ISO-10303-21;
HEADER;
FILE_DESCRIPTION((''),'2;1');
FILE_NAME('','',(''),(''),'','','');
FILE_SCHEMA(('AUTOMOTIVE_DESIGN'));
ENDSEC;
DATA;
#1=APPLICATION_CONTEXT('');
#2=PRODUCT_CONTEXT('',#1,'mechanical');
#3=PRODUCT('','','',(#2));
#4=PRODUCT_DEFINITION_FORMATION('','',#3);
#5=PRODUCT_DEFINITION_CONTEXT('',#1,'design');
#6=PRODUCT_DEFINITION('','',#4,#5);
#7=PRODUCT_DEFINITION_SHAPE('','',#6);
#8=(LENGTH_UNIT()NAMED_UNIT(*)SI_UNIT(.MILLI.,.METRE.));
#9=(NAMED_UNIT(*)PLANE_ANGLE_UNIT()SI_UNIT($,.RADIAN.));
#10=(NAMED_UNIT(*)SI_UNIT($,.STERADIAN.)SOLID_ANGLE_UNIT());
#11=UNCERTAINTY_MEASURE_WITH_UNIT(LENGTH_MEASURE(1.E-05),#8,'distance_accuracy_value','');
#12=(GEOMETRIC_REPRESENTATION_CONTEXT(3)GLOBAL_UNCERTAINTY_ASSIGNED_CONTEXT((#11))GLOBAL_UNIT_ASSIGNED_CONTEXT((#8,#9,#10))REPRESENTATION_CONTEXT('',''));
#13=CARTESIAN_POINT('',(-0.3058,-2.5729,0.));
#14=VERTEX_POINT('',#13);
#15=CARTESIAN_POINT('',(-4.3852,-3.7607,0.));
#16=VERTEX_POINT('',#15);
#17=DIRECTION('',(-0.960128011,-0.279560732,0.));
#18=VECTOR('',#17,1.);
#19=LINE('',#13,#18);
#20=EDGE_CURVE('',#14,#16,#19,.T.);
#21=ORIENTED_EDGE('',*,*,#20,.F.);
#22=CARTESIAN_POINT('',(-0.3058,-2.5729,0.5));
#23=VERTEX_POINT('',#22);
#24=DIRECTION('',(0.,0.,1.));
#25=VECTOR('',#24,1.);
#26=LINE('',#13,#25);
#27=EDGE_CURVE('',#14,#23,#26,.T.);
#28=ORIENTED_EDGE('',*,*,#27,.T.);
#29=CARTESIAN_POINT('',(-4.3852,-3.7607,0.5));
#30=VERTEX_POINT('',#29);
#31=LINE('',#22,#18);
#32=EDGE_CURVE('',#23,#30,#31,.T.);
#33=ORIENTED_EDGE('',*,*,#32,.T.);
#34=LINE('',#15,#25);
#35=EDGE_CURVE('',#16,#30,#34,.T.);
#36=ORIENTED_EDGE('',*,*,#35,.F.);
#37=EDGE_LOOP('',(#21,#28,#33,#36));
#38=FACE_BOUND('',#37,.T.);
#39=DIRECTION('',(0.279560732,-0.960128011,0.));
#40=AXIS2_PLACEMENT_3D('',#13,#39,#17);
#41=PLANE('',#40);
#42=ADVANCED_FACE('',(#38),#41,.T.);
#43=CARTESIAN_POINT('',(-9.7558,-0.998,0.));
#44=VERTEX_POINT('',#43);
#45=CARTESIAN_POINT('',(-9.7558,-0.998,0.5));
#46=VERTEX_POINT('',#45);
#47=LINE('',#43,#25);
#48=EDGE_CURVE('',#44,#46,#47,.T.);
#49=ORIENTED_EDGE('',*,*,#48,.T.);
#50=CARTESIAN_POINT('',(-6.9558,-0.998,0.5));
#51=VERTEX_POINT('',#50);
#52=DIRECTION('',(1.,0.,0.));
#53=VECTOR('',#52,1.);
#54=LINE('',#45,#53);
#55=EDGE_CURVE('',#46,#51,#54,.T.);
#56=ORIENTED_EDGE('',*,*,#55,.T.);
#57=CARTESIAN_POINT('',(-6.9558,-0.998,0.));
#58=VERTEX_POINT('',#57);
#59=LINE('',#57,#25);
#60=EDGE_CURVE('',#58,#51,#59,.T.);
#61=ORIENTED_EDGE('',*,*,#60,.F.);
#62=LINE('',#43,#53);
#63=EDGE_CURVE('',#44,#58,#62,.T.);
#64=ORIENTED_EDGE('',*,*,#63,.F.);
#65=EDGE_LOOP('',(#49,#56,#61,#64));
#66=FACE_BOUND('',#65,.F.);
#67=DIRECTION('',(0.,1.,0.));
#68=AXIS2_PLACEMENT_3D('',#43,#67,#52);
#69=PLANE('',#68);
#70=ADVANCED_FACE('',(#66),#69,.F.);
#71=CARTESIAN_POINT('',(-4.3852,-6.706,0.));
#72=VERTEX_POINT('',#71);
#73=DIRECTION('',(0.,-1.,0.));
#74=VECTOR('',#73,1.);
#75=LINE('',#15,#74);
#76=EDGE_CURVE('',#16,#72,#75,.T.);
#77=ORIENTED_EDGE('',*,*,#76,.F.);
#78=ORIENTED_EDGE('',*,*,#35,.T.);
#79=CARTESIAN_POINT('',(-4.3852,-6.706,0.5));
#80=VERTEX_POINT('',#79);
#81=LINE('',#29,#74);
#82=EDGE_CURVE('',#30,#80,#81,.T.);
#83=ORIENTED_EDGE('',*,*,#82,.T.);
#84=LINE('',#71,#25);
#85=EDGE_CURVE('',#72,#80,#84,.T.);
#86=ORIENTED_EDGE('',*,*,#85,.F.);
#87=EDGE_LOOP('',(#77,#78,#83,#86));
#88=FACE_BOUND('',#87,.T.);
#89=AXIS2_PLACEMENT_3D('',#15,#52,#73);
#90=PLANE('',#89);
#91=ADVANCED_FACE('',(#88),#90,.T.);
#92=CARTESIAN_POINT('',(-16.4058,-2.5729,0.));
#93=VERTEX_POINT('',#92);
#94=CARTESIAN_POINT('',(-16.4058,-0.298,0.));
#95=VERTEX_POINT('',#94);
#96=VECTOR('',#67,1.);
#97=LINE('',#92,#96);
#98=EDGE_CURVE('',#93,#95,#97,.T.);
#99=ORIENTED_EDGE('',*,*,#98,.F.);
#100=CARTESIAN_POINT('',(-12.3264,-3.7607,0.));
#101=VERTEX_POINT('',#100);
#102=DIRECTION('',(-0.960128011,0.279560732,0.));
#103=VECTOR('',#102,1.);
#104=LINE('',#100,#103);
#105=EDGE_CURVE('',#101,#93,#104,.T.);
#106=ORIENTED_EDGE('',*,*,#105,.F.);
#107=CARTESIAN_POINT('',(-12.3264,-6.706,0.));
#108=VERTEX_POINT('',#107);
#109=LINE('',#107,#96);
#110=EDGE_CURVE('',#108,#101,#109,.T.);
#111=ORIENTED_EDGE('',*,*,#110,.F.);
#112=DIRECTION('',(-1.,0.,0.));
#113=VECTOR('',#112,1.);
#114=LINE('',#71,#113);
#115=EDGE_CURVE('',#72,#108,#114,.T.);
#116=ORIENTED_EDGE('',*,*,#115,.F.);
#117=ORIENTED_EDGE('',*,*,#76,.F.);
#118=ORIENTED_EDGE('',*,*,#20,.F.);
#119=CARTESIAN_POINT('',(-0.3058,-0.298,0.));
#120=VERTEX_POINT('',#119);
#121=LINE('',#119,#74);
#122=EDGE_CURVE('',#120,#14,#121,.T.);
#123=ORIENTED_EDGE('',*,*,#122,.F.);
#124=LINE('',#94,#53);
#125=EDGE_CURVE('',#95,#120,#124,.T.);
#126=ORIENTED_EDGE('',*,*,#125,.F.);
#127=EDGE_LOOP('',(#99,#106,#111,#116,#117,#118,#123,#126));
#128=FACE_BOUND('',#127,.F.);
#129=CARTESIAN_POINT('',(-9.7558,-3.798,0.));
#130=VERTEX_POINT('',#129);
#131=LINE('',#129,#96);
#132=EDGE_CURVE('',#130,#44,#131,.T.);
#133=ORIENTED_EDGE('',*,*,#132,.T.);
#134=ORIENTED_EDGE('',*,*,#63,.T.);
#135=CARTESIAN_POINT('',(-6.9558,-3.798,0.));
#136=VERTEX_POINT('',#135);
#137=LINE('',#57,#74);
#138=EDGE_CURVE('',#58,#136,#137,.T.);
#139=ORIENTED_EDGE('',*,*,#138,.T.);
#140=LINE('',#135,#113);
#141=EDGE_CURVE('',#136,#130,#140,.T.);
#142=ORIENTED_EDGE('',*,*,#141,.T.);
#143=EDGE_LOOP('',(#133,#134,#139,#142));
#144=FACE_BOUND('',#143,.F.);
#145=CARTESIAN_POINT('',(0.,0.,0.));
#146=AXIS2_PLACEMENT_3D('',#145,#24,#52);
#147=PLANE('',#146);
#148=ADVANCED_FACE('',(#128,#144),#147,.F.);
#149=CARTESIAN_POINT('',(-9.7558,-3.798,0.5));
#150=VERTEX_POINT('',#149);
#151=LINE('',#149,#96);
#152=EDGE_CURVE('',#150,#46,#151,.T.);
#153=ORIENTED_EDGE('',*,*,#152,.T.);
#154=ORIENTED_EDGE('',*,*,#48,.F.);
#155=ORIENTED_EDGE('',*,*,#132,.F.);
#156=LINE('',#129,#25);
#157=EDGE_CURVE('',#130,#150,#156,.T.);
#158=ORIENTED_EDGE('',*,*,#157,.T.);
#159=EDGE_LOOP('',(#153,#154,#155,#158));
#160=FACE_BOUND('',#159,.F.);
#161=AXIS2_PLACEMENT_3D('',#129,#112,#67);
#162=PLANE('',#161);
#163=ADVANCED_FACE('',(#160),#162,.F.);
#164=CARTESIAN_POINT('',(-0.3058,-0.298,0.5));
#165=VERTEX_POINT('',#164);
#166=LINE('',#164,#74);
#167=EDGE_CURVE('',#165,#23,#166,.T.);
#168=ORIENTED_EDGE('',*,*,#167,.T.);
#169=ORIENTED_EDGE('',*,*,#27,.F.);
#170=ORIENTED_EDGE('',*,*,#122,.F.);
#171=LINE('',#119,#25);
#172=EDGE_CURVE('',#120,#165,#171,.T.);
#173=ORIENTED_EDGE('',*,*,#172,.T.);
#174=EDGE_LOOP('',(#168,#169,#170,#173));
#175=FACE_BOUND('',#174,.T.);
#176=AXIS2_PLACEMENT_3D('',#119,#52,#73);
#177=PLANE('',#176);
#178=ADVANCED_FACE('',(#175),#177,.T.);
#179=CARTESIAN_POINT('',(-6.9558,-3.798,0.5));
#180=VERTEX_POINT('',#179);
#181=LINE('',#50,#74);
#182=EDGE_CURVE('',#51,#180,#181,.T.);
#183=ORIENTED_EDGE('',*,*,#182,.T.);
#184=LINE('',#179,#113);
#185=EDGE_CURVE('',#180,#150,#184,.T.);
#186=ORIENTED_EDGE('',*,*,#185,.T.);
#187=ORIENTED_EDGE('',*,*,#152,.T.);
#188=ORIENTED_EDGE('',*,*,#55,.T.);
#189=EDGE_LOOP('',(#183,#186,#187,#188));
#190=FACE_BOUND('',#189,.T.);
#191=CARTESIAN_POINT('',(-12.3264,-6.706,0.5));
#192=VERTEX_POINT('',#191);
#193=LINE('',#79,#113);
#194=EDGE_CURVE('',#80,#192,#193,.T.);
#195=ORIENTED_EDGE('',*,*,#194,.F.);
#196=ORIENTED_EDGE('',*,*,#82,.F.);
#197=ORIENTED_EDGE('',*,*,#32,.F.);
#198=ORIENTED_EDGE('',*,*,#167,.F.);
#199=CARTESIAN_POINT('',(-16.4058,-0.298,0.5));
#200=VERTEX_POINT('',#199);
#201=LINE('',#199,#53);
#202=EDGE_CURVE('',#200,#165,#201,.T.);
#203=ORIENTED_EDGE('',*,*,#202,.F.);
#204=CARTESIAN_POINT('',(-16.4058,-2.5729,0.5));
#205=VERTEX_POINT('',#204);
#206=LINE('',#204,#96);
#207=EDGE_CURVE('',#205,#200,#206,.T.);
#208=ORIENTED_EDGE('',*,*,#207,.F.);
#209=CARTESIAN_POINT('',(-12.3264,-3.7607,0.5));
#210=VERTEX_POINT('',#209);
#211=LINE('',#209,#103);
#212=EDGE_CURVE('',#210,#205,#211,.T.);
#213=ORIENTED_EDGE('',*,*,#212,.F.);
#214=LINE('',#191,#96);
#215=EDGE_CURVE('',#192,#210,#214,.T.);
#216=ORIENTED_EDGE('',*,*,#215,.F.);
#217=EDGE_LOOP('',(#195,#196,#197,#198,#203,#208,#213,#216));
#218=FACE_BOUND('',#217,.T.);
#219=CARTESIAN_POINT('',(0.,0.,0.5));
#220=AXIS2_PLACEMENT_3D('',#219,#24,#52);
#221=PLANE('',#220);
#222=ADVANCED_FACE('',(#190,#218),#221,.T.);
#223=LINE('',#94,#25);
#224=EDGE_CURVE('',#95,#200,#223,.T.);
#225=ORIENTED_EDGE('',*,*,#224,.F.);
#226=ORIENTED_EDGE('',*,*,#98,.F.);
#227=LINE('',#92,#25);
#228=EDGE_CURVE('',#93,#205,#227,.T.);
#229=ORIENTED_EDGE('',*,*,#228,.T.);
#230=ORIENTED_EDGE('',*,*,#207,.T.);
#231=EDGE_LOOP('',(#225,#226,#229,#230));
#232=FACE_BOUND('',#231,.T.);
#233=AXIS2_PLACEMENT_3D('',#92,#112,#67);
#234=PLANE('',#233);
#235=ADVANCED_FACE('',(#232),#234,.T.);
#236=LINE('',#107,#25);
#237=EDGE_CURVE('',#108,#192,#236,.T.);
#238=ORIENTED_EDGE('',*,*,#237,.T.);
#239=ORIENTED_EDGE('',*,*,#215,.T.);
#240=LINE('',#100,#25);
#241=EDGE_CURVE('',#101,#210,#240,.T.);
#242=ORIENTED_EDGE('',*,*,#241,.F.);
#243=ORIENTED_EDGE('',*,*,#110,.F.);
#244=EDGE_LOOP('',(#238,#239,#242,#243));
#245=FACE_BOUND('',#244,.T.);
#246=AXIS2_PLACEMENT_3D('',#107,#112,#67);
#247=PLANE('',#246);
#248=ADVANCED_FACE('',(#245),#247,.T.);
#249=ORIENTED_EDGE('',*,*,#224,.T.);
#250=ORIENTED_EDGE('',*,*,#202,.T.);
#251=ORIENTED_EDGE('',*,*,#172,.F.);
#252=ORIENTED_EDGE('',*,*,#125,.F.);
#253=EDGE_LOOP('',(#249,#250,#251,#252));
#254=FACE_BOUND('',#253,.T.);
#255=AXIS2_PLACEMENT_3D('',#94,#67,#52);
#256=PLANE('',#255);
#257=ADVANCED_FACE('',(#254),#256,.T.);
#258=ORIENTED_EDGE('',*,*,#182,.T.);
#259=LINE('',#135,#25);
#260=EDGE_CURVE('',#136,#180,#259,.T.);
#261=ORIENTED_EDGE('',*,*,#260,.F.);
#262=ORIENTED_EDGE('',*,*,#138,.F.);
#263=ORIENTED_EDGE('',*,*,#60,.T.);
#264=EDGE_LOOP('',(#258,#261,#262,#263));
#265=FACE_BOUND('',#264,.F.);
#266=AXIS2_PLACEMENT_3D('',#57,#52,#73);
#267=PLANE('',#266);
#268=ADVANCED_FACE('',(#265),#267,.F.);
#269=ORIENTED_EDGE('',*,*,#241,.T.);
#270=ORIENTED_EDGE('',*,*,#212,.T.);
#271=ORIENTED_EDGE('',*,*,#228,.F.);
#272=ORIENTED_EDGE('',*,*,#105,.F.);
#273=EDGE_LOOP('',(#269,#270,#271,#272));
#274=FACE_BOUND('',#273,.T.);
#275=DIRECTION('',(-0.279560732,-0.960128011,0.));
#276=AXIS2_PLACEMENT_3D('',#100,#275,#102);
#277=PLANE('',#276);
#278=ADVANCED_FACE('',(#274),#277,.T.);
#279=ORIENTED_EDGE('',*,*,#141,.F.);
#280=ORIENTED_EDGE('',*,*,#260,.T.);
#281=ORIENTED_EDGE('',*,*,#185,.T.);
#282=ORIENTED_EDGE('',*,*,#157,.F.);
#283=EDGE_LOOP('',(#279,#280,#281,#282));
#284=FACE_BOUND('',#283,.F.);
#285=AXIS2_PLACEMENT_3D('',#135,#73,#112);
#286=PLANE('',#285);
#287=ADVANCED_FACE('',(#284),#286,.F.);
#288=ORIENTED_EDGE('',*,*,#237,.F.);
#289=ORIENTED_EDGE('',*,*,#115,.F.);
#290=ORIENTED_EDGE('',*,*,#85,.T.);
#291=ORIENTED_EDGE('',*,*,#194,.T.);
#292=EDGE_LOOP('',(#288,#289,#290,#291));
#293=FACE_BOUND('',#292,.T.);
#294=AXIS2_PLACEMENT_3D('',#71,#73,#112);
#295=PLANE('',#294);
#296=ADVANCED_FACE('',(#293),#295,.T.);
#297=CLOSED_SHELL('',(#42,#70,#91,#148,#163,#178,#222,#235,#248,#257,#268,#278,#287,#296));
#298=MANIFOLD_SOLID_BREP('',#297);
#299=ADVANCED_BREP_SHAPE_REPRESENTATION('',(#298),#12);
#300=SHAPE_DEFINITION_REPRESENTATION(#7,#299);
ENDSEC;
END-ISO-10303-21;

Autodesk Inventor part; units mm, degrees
ref_plane "YZ Plane" through (0, 0, 0) normal (1, 0, 0) x (0, 1, 0)
ref_plane "XZ Plane" through (0, 0, 0) normal (0, 1, 0) x (-1, 0, 0)
ref_plane "XY Plane" through (0, 0, 0) normal (0, 0, 1) x (1, 0, 0)
ref_plane "Work Plane1" through (0, 0, 0) normal (0, 0, 1) x (1, 0, 0)
sketch "Sketch1" plane through (0, 0, 0) normal (0, 0, 1) x (1, 0, 0)
  line L0 (-16.7058, 0.002) -> (-16.7058, -2.798) projected
  line L1 (-12.6264, -3.9858) -> (-16.7058, -2.798) projected
  line L2 (-12.6264, -3.9858) -> (-12.6264, -7.006) projected
  line L3 (-4.0852, -7.006) -> (-4.0852, -3.9858) projected
  line L4 (-0.0058, -2.798) -> (-4.0852, -3.9858) projected
  line L5 (-0.0058, 0.002) -> (-0.0058, -2.798) projected
  line L6 (-16.7058, 0.002) -> (-0.0058, 0.002) projected
  line L7 (-4.0852, -7.006) -> (-12.6264, -7.006) projected
  line L8 (-16.4058, -0.298) -> (-0.3058, -0.298)
  line L9 (-0.3058, -0.298) -> (-0.3058, -2.5729)
  line L10 (-0.3058, -2.5729) -> (-4.3852, -3.7607)
  line L11 (-4.3852, -3.7607) -> (-4.3852, -6.706)
  line L12 (-4.3852, -6.706) -> (-12.3264, -6.706)
  line L13 (-12.3264, -6.706) -> (-12.3264, -3.7607)
  line L14 (-12.3264, -3.7607) -> (-16.4058, -2.5729)
  line L15 (-16.4058, -2.5729) -> (-16.4058, -0.298)
  line L16 (-2.523, -0.298) -> (-2.523, 0.002) construction
  line L17 (-16.4058, -0.4626) -> (-16.7058, -0.4626) construction
  line L18 (-6.5787, -6.706) -> (-6.5787, -7.006) construction
  line L19 (-0.3058, -0.7097) -> (-0.0058, -0.7097) construction
  line L20 (-2.0075, -3.0684) -> (-1.9236, -3.3564) construction
  line L21 (-13.1905, -3.5091) -> (-13.2743, -3.7971) construction
  line L22 (-12.3264, -6.0147) -> (-12.6264, -6.0147) construction
  line L23 (-4.3852, -6.1814) -> (-4.0852, -6.1814) construction
  line L24 (-9.7558, -0.998) -> (-6.9558, -0.998)
  line L25 (-6.9558, -0.998) -> (-6.9558, -3.798)
  line L26 (-6.9558, -3.798) -> (-9.7558, -3.798)
  line L27 (-9.7558, -3.798) -> (-9.7558, -0.998)
  line L28 (-9.7558, -1.5221) -> (-16.4058, -1.5221) construction
  line L29 (-0.3058, -1.3283) -> (-6.9558, -1.3283) construction
  point P0 (0, 0)
  dimension "d0" = 0.3
  dimension "d3" = 2.8
  dimension "d4" = 2.8
  dimension "d5" = 1
extrude "Extrusion1" add sketch "Sketch1" along normal blind 0.5 contours L8 L9 L10 L11 L12 L13 L14 L15
properties part number "headstage_cap_top_closure"
